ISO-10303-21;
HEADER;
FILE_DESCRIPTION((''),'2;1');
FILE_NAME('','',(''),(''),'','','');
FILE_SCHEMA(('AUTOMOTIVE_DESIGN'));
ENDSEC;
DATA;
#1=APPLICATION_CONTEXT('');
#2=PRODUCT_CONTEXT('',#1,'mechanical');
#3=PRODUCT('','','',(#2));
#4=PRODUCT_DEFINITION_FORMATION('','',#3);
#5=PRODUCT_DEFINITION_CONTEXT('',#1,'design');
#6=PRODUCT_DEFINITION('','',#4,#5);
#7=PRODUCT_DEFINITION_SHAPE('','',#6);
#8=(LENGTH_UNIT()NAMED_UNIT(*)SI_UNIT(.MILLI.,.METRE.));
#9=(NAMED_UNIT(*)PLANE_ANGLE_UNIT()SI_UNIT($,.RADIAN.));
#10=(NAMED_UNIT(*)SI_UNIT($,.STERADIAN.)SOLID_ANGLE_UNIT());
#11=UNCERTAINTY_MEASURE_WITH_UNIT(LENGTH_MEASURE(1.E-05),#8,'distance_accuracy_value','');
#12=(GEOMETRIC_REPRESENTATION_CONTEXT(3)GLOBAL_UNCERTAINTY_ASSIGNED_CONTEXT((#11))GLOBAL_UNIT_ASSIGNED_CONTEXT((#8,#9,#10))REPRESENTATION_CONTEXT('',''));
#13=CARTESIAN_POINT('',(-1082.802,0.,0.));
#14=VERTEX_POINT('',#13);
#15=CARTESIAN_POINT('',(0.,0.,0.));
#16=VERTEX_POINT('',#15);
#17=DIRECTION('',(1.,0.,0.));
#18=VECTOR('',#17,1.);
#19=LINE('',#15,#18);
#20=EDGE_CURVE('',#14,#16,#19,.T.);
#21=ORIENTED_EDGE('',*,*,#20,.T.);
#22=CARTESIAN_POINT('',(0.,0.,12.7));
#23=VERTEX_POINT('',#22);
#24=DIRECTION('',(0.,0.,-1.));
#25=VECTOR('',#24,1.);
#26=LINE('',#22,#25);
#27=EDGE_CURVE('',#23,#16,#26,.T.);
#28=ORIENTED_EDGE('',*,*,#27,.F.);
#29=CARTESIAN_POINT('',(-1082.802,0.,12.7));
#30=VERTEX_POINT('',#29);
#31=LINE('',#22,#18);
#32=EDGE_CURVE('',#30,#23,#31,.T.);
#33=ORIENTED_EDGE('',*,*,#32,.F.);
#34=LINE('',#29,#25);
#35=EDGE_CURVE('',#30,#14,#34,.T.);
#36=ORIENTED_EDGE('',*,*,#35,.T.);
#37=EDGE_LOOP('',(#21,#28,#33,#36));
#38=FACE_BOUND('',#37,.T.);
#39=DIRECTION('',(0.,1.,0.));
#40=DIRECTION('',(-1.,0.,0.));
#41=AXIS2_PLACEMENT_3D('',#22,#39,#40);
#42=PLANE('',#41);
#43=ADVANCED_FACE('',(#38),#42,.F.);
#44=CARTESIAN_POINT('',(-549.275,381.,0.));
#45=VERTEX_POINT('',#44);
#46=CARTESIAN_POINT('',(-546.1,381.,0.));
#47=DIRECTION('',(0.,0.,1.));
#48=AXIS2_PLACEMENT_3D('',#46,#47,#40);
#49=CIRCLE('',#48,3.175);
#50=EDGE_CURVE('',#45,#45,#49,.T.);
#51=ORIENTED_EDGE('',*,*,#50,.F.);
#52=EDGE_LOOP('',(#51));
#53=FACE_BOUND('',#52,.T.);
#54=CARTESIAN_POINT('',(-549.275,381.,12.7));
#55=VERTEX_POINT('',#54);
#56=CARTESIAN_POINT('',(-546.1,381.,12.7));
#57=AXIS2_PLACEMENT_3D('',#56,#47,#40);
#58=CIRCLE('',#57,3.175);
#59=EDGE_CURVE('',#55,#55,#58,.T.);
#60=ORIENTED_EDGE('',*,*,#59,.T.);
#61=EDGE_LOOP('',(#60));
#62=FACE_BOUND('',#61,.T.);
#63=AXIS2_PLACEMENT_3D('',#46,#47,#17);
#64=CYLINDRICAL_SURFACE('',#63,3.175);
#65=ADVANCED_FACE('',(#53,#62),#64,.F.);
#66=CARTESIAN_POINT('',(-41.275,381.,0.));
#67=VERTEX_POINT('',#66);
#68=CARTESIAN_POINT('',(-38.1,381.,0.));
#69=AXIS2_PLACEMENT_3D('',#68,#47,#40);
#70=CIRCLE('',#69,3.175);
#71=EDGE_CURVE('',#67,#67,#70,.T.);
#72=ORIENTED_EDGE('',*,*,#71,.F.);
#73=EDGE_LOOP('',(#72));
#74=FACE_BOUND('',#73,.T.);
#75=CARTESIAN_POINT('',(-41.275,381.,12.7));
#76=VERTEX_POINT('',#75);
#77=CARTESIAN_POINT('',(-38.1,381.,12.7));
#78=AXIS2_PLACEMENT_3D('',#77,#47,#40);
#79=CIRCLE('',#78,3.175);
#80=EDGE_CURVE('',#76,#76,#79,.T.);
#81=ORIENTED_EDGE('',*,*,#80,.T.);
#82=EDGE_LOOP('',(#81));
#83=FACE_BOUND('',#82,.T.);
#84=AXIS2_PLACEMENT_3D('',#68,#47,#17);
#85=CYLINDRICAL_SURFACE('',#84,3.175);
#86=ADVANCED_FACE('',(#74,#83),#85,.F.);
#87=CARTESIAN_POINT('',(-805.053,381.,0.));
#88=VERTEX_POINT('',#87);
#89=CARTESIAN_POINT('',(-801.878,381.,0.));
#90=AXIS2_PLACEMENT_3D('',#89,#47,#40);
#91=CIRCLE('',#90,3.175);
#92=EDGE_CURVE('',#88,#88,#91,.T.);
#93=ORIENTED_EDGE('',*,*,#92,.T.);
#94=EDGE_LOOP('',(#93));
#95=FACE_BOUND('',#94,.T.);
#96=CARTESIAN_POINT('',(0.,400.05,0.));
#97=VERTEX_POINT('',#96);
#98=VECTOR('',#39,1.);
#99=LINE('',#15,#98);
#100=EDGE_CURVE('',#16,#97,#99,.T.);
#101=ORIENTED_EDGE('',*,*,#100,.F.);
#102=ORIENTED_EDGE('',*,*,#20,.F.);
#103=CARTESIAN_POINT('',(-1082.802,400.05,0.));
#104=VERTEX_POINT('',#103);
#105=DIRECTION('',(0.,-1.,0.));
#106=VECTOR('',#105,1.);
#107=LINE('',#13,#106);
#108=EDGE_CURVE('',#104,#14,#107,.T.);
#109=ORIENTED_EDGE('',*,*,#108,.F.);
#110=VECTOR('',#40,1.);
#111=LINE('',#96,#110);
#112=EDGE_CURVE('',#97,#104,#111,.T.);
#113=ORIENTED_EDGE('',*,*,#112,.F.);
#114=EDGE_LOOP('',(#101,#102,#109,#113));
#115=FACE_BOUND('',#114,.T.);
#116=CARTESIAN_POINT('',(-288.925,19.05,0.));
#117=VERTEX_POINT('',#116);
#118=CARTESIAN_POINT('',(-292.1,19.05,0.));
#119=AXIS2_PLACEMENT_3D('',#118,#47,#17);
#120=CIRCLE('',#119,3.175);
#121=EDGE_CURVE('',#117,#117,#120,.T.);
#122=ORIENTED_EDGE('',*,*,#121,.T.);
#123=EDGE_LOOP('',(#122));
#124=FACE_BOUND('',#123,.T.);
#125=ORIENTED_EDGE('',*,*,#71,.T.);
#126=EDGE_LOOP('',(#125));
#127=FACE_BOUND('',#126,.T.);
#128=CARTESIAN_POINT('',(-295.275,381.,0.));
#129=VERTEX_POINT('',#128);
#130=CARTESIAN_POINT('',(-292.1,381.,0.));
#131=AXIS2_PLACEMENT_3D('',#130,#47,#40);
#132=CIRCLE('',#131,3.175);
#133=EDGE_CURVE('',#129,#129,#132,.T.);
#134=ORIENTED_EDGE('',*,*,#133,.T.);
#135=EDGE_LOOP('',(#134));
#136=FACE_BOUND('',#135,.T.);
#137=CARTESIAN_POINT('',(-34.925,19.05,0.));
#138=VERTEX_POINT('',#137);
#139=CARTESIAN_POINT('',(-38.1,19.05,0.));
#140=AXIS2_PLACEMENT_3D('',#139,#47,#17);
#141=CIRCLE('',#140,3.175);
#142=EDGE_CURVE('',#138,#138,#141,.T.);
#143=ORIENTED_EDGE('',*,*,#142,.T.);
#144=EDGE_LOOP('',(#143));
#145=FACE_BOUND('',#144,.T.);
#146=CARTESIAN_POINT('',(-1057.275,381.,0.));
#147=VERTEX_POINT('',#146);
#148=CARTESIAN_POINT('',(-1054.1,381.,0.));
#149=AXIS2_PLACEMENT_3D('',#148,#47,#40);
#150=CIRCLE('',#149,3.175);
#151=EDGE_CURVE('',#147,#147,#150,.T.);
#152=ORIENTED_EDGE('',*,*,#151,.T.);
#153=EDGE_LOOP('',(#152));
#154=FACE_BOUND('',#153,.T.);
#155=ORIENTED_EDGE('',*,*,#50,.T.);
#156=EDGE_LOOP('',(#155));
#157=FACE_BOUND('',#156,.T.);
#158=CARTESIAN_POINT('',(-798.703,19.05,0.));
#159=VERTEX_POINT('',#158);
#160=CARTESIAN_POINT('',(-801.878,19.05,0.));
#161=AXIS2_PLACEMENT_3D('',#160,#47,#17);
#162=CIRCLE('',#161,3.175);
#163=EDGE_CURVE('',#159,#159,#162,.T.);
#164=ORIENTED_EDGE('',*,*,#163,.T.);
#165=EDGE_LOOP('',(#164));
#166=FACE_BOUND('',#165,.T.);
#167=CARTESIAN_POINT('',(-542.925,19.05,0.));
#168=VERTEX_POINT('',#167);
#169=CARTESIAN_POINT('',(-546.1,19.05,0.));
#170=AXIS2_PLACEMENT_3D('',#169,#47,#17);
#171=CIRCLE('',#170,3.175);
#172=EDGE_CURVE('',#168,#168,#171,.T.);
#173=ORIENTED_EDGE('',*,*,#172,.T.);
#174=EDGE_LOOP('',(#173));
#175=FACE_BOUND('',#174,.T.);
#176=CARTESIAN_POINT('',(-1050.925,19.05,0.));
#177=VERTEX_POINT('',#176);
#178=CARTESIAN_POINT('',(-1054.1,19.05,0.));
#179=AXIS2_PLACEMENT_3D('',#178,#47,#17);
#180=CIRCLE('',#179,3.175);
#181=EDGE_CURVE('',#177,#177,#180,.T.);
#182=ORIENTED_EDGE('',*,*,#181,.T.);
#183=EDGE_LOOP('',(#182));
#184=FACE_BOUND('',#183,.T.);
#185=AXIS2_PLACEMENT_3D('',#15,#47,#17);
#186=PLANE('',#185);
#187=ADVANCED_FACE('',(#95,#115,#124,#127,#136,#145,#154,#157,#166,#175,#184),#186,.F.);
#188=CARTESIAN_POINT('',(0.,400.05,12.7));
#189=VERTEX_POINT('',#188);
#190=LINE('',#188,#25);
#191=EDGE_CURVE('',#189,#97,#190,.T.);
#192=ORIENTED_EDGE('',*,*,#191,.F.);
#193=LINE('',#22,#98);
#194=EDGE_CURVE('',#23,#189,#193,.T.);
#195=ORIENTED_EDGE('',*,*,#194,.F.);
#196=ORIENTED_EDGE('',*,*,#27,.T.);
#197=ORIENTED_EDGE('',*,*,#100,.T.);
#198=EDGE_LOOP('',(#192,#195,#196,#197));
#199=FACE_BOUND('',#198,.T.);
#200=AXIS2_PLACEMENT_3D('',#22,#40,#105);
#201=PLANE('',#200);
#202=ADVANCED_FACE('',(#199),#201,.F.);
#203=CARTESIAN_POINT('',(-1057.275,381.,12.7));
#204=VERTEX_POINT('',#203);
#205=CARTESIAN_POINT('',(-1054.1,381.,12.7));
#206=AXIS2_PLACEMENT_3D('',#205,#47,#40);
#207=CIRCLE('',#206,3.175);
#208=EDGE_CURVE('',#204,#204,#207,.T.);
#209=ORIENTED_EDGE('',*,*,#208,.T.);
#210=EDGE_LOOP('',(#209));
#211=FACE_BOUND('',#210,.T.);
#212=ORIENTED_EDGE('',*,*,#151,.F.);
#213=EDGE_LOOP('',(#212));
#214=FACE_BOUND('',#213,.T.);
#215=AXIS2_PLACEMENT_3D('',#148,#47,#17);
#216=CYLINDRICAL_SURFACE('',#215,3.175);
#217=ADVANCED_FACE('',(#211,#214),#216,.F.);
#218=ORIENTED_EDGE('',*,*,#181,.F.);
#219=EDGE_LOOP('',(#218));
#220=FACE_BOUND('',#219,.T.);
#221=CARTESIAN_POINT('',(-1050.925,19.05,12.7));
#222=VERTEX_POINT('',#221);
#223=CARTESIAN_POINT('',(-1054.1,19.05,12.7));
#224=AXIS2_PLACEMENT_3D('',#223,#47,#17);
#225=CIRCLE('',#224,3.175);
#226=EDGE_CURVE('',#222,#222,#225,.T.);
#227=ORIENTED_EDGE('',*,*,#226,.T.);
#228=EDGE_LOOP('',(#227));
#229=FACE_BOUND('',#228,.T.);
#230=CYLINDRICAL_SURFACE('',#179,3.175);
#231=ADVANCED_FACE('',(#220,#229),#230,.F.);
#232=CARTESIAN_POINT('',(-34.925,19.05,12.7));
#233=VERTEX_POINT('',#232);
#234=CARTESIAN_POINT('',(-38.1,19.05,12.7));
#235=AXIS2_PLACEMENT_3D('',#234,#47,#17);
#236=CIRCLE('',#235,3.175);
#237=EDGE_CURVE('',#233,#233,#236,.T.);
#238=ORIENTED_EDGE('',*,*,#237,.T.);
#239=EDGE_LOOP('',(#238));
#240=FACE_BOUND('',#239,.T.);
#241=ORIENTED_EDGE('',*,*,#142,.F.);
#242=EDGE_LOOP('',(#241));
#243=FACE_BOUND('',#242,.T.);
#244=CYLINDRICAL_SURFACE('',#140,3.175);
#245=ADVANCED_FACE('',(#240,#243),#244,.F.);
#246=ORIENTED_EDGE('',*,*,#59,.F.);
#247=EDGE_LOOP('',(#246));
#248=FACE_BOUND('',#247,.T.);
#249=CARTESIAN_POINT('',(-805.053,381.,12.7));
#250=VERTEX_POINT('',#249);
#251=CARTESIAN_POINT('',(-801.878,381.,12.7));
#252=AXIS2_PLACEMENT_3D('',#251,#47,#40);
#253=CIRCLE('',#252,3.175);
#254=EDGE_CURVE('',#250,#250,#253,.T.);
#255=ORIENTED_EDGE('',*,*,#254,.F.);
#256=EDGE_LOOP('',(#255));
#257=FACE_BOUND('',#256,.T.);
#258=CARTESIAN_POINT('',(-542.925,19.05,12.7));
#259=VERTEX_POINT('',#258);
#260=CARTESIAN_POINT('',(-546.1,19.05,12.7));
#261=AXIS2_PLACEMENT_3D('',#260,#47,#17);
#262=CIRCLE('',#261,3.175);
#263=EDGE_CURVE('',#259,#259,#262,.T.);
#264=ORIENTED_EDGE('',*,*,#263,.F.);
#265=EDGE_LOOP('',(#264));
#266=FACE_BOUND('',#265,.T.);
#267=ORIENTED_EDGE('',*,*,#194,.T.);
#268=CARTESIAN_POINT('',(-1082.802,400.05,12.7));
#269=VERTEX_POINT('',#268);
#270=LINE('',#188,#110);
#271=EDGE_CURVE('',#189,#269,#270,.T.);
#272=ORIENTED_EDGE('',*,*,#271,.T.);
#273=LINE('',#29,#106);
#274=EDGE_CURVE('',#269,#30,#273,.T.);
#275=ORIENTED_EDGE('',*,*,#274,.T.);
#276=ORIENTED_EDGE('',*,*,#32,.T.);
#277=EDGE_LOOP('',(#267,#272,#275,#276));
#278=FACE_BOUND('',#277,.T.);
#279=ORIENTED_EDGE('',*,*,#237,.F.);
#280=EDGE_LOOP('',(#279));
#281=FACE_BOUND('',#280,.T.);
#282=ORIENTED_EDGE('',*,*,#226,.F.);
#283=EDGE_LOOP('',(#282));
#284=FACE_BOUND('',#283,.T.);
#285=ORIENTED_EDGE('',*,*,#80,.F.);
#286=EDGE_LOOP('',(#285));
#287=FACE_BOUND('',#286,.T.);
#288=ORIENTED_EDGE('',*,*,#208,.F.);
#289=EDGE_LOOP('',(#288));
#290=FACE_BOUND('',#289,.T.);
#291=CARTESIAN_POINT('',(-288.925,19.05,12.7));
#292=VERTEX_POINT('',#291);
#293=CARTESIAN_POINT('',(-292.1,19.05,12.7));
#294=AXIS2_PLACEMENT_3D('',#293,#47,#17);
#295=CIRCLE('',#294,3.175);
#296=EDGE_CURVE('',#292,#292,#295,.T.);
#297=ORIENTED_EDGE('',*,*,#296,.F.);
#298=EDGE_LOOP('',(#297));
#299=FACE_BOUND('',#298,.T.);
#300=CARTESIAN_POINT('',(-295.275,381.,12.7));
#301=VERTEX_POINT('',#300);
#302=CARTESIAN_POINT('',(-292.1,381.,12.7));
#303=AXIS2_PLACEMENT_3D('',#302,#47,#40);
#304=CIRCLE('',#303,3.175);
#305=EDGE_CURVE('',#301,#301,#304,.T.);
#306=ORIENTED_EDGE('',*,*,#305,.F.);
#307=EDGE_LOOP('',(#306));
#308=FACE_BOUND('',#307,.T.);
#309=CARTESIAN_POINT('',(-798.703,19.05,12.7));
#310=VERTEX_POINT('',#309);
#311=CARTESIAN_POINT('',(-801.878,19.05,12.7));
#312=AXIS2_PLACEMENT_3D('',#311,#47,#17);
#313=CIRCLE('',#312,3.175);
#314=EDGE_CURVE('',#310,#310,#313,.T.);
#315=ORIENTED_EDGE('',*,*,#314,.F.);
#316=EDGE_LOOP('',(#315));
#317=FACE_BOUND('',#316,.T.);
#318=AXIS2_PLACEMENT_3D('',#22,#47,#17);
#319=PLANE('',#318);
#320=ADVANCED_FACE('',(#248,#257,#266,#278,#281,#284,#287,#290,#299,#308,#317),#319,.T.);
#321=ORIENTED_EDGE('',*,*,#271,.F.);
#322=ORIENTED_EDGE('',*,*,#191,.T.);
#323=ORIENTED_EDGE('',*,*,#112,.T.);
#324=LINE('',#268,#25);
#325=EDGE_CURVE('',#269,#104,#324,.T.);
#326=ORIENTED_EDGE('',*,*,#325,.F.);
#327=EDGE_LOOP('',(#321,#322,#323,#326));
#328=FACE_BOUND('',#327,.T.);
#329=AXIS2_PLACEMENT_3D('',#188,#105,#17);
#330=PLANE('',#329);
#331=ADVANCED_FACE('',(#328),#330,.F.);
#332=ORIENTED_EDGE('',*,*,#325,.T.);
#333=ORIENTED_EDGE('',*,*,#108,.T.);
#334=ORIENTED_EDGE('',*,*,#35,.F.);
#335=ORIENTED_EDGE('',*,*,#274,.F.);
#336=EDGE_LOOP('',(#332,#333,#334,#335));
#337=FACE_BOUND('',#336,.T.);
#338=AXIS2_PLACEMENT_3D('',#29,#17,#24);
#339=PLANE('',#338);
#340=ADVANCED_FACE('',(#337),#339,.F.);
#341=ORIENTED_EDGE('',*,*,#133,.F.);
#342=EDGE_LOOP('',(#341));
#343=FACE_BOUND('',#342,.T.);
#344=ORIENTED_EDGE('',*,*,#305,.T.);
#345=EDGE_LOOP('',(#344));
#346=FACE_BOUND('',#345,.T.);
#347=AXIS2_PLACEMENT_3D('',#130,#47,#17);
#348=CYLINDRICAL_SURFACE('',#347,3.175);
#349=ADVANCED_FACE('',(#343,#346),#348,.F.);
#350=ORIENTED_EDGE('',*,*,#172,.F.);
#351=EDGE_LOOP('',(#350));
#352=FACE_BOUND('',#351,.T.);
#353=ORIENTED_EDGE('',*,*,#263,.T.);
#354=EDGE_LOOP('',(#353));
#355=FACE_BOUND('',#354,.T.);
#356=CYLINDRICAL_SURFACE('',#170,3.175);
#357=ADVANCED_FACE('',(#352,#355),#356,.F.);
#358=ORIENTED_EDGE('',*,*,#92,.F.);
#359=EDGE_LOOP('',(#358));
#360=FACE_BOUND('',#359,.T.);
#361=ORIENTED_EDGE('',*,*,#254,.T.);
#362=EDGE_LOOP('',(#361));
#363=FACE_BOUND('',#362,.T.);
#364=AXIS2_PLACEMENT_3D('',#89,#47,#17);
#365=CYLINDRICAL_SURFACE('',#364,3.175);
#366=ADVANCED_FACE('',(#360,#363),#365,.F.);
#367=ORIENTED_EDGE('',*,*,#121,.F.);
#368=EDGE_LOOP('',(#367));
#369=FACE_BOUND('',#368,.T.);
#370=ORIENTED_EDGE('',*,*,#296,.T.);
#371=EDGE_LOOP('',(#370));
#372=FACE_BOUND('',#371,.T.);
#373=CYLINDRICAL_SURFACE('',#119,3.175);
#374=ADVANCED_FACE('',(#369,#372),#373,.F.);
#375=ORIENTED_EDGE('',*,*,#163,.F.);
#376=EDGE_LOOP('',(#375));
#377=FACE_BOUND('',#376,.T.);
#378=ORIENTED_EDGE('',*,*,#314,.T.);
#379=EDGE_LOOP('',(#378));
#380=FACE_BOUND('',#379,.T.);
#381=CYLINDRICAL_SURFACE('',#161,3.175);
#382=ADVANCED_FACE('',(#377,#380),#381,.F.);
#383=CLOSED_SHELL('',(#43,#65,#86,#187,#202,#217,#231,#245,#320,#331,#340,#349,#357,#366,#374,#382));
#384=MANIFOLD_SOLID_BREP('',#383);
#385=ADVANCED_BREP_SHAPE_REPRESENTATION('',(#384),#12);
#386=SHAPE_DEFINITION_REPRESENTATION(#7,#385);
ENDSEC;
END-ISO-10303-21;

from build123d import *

# Parameters (mm, degrees)
SKETCH1_W           = 1082.802
SKETCH1_H           = 400.05
BOSS_EXTRUDE1_DEPTH = 12.7
SKETCH2_R           = 3.175
CUT_EXTRUDE1_DEPTH  = 1155.409573637


with BuildPart() as part:
    # Sketch1 → Boss-Extrude1 (new body)
    with BuildSketch(Plane.XY):
        with Locations((-541.401, 200.025)):
            Rectangle(SKETCH1_W, SKETCH1_H)
    extrude(amount=BOSS_EXTRUDE1_DEPTH)

    # Sketch2 (on Front Plane) → Cut-Extrude1 (cut, through all)
    with BuildSketch(Plane.XY):
        with Locations((-1054.1, 19.05)):
            Circle(SKETCH2_R)
        with Locations((-801.878, 19.05)):
            Circle(SKETCH2_R)
        with Locations((-546.1, 19.05)):
            Circle(SKETCH2_R)
        with Locations((-292.1, 19.05)):
            Circle(SKETCH2_R)
        with Locations((-38.1, 19.05)):
            Circle(SKETCH2_R)
        with Locations(Location((-38.1, 381, 0), (0, 0, 180))):
            Circle(SKETCH2_R)
        with Locations(Location((-292.1, 381, 0), (0, 0, 180))):
            Circle(SKETCH2_R)
        with Locations(Location((-546.1, 381, 0), (0, 0, 180))):
            Circle(SKETCH2_R)
        with Locations(Location((-801.878, 381, 0), (0, 0, 180))):
            Circle(SKETCH2_R)
        with Locations(Location((-1054.1, 381, 0), (0, 0, 180))):
            Circle(SKETCH2_R)
    extrude(amount=CUT_EXTRUDE1_DEPTH, mode=Mode.SUBTRACT)


solid = part.part
